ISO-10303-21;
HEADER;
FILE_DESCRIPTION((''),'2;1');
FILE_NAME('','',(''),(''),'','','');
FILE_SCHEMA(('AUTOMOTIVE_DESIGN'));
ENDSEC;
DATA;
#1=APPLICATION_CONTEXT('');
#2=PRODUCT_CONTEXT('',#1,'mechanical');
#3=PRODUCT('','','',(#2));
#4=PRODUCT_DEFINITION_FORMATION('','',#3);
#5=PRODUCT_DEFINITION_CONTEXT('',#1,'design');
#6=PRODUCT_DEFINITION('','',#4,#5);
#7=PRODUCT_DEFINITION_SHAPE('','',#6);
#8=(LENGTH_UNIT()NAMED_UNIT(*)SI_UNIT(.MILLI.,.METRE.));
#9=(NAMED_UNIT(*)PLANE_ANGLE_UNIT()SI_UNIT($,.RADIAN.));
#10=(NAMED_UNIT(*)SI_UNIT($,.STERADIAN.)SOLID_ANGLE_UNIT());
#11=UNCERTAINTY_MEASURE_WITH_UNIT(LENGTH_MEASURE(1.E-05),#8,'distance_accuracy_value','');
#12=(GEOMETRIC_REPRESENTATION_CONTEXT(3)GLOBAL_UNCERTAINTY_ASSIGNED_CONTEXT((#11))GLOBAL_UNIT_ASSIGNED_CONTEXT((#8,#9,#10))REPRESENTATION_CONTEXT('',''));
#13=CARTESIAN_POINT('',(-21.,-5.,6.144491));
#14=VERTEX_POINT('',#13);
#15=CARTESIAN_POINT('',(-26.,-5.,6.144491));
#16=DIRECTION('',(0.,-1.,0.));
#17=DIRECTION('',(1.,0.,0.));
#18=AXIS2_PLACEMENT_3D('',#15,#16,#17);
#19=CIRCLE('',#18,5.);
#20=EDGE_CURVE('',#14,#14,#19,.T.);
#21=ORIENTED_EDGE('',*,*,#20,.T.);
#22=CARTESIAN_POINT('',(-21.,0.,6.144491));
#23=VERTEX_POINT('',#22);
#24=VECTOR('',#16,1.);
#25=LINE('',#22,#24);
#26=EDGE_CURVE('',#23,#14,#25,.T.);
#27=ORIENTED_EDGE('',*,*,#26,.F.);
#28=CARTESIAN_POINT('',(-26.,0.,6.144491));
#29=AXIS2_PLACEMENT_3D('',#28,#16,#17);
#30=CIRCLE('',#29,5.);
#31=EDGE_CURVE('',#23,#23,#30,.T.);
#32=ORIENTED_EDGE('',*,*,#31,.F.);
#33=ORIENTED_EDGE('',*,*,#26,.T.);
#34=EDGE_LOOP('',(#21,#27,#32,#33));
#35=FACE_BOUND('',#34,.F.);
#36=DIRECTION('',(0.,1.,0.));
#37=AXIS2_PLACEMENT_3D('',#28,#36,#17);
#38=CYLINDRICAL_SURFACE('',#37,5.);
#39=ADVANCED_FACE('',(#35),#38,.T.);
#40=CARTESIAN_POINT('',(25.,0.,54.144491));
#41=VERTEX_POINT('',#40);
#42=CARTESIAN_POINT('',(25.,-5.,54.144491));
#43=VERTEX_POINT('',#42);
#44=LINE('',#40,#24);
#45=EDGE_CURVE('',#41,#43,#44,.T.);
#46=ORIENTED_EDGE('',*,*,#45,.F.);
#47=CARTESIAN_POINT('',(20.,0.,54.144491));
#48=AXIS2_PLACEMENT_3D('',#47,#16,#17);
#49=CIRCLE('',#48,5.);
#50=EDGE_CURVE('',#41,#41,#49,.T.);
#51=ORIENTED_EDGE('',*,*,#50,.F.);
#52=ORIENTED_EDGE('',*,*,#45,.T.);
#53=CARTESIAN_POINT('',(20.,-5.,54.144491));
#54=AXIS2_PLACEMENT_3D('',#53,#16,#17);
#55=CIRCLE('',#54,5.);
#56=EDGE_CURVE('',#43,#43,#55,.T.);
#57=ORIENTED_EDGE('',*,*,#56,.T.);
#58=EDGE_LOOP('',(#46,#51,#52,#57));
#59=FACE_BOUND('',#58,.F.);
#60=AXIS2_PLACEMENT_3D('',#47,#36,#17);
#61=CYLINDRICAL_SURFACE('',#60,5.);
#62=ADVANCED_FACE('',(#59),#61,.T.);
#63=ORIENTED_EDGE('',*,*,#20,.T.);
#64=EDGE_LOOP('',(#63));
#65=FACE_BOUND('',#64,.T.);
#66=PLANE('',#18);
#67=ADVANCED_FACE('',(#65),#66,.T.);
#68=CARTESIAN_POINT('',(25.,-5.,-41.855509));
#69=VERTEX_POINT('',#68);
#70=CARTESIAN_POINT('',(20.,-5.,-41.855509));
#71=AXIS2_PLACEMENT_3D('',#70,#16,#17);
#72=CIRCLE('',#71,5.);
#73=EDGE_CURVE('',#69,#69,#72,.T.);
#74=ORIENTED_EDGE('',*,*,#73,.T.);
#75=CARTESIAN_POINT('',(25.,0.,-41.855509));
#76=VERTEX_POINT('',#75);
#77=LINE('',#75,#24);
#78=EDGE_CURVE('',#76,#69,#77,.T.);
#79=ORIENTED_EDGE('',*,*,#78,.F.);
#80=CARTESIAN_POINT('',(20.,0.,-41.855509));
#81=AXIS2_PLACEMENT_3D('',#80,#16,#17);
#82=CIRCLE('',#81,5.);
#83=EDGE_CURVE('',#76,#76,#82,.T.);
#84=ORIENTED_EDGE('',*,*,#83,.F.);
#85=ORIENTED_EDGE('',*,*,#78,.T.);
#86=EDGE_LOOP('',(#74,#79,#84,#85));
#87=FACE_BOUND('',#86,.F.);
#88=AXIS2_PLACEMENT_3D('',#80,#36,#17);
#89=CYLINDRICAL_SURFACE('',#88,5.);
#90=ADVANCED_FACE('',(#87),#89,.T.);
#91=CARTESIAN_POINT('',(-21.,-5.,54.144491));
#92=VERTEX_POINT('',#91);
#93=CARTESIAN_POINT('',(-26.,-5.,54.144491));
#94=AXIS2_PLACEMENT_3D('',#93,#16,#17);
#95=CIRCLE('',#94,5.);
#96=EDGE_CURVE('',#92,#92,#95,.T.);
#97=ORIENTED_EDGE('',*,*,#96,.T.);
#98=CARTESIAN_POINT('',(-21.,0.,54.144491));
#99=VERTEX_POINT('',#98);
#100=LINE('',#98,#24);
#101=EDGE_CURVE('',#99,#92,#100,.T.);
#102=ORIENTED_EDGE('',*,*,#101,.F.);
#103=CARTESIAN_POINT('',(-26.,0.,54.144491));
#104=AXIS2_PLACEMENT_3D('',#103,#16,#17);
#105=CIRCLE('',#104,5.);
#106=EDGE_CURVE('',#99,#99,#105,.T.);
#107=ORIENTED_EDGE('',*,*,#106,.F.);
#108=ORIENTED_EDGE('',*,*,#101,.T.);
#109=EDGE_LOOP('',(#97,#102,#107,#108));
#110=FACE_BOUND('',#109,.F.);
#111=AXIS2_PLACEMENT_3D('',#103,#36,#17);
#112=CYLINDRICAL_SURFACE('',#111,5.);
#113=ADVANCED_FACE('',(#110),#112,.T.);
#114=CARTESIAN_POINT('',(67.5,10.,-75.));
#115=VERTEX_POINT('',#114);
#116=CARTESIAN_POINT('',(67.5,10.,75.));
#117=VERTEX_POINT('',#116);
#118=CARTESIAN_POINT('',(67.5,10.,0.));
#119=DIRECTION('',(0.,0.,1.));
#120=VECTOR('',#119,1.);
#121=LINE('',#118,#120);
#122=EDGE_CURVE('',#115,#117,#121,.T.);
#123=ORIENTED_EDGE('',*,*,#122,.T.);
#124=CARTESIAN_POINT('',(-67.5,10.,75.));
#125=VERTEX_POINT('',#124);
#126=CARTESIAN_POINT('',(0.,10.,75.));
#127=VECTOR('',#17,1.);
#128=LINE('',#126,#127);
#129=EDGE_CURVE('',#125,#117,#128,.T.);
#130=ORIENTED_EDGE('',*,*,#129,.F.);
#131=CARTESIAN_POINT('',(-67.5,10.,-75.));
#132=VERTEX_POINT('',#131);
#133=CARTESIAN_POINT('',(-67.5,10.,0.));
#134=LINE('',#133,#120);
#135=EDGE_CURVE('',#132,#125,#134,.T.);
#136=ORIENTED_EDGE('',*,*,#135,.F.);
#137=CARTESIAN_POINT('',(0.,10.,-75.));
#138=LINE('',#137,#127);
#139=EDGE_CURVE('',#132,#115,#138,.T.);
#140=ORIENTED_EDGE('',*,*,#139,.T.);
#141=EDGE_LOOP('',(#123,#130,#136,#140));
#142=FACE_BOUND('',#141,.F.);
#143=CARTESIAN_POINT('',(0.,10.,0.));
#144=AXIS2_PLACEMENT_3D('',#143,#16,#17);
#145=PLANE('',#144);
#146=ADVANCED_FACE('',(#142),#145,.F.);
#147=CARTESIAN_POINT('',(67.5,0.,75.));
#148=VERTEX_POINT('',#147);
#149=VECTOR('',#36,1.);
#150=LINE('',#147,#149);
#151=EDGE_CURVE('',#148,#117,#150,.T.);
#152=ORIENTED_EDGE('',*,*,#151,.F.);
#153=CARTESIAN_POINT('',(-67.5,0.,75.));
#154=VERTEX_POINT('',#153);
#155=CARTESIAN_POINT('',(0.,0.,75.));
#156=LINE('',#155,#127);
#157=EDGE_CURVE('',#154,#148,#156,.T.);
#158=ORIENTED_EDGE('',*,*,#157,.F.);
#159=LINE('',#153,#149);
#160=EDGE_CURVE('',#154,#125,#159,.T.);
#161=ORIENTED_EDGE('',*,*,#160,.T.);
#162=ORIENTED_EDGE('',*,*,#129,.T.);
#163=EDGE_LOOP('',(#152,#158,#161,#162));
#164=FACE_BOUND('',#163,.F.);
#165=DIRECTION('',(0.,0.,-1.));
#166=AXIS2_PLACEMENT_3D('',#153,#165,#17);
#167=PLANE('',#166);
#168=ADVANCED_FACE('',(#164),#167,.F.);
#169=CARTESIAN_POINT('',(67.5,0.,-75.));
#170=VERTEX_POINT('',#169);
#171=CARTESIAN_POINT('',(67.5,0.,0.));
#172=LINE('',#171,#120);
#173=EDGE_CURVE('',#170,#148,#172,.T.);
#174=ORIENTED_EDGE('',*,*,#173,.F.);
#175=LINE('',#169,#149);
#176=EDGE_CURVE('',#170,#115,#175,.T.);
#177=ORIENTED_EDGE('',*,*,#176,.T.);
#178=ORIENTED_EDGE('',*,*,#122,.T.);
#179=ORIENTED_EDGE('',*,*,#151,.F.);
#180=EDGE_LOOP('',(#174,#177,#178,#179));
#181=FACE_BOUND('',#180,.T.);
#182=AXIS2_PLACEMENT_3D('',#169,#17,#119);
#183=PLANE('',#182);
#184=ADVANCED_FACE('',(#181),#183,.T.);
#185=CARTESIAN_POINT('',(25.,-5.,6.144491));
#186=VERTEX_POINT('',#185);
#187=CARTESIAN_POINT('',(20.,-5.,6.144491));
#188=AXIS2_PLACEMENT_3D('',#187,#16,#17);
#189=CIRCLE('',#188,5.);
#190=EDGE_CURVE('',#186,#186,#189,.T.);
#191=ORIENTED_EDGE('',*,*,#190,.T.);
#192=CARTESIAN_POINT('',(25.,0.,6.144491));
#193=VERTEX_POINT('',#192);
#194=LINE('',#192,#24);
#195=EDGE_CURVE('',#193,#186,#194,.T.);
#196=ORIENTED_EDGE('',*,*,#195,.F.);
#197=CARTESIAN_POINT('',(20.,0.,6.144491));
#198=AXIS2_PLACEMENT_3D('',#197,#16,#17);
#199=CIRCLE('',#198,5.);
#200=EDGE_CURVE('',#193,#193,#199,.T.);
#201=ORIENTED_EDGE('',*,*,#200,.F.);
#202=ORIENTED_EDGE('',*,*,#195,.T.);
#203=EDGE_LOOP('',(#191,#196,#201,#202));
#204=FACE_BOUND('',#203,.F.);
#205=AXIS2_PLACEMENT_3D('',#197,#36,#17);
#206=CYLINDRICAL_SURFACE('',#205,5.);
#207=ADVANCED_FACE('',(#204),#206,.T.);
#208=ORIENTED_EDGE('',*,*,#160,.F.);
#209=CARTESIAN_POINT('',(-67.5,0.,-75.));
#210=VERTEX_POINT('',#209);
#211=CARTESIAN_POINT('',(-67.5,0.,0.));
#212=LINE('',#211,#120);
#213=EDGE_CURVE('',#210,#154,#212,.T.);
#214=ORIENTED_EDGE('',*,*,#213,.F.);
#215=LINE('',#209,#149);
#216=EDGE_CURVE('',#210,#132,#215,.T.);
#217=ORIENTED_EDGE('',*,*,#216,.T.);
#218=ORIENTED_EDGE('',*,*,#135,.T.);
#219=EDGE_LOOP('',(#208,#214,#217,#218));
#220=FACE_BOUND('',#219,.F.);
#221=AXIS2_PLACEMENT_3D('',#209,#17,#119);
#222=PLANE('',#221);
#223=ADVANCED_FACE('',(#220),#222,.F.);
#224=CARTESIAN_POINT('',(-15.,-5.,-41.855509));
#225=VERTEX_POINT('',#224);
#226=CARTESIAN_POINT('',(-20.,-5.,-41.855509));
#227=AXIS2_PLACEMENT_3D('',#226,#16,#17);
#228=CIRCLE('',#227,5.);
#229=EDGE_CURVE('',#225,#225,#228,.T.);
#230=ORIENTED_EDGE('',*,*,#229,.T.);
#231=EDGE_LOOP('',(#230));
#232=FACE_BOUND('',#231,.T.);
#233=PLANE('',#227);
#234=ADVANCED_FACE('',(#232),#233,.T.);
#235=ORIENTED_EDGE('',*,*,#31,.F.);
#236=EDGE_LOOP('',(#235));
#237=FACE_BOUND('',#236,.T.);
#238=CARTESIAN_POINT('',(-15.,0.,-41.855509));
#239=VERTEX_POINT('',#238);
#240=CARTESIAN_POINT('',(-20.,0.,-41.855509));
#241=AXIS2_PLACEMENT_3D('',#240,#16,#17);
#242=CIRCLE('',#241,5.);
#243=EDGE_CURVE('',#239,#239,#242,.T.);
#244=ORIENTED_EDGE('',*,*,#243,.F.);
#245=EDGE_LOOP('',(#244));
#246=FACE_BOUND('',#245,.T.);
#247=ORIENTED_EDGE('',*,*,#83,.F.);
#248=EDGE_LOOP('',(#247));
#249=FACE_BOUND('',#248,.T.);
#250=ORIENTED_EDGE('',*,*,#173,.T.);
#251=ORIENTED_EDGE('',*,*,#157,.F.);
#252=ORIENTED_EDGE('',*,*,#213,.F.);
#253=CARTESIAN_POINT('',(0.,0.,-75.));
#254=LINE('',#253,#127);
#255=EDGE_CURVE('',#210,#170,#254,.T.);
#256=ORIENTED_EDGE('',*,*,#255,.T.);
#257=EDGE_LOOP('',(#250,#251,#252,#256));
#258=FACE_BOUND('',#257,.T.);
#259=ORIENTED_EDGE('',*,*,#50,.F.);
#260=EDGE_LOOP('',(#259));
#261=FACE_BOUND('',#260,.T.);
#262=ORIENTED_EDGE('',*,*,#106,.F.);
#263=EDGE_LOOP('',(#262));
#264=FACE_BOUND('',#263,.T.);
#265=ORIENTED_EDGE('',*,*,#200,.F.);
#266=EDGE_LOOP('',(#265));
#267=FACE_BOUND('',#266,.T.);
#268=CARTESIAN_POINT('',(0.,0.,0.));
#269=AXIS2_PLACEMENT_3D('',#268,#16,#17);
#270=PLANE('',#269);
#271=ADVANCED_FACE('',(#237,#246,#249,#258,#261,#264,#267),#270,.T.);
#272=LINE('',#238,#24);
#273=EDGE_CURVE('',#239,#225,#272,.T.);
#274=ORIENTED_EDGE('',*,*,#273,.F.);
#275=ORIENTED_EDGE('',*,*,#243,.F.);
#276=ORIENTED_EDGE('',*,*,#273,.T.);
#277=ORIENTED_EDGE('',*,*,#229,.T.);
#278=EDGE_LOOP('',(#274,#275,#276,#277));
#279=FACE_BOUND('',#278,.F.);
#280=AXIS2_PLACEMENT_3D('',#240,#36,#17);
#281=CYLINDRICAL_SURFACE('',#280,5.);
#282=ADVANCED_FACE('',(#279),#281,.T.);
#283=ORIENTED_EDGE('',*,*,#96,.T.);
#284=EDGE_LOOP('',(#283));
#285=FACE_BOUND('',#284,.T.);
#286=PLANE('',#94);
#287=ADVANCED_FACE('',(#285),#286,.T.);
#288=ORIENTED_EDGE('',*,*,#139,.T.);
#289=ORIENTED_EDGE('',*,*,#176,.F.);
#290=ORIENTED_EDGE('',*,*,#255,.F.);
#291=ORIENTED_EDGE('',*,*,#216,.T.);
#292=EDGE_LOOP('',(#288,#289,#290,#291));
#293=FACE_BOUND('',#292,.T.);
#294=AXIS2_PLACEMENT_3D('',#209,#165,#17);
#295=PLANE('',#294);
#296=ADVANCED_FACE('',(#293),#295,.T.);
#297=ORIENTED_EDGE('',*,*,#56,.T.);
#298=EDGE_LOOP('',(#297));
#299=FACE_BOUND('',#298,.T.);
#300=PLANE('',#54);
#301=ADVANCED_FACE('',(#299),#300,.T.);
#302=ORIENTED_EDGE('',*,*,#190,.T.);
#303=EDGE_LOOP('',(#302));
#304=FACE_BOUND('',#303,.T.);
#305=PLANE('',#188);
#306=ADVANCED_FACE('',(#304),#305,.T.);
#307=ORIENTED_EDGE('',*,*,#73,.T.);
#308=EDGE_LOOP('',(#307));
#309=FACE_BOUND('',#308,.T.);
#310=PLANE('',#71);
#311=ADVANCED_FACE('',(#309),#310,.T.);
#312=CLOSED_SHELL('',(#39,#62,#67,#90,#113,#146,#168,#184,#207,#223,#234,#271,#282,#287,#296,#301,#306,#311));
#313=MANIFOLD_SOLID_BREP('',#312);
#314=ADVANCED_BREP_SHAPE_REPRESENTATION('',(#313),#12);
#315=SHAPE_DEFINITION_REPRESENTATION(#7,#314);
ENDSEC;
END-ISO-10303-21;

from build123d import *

# Parameters (mm, degrees)
F0_W     = 135
F0_H     = 150
F1_DEPTH = 10
F2_R     = 5
F3_DEPTH = 5


with BuildPart() as f1:
    # F0 (on Front) → F1 (new body)
    with BuildSketch(Plane.XZ):
        Rectangle(F0_W, F0_H)
    extrude(amount=-F1_DEPTH)

    # F2 (on face) → F3 (join)
    with BuildSketch(Plane.XZ):
        with Locations((-20, -41.855509)):
            Circle(F2_R)
        with Locations((20, -41.855509)):
            Circle(F2_R)
        with Locations((20, 6.144491)):
            Circle(F2_R)
        with Locations((-26, 6.144491)):
            Circle(F2_R)
        with Locations((-26, 54.144491)):
            Circle(F2_R)
        with Locations((20, 54.144491)):
            Circle(F2_R)
    extrude(amount=F3_DEPTH)


solid = f1.part
